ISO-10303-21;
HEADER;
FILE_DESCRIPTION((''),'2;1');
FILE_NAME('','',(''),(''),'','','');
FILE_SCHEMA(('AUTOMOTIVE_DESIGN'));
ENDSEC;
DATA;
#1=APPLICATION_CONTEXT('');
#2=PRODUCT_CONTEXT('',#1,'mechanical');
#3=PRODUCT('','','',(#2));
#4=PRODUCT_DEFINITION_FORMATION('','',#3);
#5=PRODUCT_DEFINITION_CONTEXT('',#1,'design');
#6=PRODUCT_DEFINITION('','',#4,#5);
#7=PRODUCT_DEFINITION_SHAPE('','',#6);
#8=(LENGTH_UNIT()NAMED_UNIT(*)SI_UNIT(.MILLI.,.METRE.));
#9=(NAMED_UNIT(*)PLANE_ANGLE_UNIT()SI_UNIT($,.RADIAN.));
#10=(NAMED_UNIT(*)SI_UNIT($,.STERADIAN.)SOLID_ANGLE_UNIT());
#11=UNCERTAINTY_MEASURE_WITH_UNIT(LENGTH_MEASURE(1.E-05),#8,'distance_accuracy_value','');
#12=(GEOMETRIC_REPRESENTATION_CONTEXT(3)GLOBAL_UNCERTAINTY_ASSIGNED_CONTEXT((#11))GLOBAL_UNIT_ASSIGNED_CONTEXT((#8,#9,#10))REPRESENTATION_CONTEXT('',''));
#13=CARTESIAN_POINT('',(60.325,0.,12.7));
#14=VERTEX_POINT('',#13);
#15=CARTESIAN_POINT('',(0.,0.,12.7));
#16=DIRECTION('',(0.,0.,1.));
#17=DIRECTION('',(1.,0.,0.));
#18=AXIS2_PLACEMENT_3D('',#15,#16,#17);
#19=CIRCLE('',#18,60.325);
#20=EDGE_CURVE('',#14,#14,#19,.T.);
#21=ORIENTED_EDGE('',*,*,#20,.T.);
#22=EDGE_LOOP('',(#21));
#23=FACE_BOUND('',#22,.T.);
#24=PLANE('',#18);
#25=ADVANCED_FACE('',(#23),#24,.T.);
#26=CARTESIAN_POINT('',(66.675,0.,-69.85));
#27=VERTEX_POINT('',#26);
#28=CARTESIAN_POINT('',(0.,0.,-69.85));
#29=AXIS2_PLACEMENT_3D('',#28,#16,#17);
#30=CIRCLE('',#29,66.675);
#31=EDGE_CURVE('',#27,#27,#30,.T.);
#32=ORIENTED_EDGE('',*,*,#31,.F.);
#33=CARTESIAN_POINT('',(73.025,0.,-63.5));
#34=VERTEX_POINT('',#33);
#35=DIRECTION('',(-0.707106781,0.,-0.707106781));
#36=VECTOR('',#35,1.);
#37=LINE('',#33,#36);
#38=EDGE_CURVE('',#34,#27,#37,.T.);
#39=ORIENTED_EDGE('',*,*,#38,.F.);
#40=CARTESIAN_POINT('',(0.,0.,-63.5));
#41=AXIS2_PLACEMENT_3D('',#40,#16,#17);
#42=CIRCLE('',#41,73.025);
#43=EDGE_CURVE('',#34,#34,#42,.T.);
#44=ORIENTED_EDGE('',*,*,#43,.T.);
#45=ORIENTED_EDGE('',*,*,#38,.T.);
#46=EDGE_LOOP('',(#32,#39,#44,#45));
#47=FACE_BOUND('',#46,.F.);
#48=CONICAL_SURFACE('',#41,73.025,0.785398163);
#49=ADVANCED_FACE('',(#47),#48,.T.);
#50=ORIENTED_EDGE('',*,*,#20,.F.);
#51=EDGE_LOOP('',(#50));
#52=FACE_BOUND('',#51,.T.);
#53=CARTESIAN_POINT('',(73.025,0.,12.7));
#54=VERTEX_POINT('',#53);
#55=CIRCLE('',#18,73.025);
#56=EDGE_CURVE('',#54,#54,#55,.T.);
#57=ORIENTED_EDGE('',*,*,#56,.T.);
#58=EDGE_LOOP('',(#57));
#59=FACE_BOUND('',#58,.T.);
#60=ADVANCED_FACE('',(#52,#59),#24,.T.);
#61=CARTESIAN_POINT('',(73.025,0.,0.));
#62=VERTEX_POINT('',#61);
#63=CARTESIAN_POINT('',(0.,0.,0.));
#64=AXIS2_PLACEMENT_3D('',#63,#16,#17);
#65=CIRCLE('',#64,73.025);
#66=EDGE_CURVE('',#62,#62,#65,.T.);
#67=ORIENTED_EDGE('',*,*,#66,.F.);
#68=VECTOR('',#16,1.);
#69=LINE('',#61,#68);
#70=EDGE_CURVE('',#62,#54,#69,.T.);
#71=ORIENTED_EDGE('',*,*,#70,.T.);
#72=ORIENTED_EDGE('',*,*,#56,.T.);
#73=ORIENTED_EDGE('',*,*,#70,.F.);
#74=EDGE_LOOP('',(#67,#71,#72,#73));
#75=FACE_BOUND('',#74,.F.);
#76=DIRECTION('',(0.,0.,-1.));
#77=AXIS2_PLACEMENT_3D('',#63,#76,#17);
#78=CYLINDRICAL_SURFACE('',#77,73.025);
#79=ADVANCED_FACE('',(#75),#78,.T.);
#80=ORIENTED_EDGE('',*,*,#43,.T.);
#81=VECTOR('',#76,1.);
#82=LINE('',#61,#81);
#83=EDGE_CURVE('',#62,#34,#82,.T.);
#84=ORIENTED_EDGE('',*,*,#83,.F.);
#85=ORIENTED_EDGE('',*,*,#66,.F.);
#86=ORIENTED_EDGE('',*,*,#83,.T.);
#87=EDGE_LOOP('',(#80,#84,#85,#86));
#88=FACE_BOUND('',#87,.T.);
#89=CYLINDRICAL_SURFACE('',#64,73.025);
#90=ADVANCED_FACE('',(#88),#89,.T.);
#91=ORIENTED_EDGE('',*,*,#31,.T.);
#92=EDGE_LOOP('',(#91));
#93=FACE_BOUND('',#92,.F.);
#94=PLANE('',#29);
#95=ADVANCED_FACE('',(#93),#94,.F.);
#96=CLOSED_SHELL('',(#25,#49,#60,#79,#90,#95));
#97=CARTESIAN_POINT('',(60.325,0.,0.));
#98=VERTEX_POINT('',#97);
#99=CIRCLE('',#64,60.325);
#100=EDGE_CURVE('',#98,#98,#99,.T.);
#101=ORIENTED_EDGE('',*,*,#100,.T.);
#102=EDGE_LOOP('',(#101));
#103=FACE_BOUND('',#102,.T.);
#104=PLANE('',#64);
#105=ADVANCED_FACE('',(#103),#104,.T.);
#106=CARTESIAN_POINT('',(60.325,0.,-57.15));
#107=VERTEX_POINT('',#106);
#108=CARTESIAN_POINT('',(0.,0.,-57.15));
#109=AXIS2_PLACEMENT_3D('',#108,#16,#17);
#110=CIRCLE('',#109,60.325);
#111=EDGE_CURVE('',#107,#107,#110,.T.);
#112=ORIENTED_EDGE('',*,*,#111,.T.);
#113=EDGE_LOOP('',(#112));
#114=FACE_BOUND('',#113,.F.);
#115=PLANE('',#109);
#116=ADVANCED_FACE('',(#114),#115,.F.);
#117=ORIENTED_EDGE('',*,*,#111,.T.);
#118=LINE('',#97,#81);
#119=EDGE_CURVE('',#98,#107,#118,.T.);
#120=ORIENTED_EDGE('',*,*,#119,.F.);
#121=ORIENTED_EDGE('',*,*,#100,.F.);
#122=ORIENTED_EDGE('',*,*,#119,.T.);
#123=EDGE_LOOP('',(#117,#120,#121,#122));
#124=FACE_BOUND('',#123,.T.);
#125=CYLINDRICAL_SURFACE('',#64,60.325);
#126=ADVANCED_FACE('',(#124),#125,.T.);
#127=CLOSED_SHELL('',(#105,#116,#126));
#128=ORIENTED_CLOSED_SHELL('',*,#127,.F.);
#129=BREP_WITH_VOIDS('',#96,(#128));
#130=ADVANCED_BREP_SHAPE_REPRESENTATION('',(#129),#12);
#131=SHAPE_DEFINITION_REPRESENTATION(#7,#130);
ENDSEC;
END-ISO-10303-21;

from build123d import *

# Parameters (mm, degrees)
F0_R      = 73.025
F0_R_2    = 60.325
F1_DEPTH  = 69.85
F2_DEPTH  = 57.15
F3_SIZE   = 6.35
F4_DEPTH  = 12.7
F4_FACE_R = 73.025
F5_DEPTH  = 12.7


with BuildPart() as f1:
    # F0 (on Top) → F1 (new body)
    with BuildSketch(Plane.XY):
        Circle(F0_R)
        Circle(F0_R_2, mode=Mode.SUBTRACT)
        Circle(F0_R_2)
    extrude(amount=-F1_DEPTH)

    # F0 (on Top) → F2 (cut)
    with BuildSketch(Plane.XY):
        Circle(F0_R_2)
    extrude(amount=-F2_DEPTH, mode=Mode.SUBTRACT)

    # F3
    f3_edges = [f1.edges().sort_by_distance(p)[0] for p in [
        (-73.025, 0, -69.85),
    ]]
    chamfer(f3_edges, length=F3_SIZE)

    # F0 (on Top) → F4 (join)
    with BuildSketch(Plane.XY):
        Circle(F0_R_2)
        Circle(F0_R)
        Circle(F0_R_2, mode=Mode.SUBTRACT)
    extrude(amount=F4_DEPTH)

    # F4_face (on face) → F5 (join)
    with BuildSketch(Plane.XY.offset(12.7)):
        Circle(F4_FACE_R)
    extrude(amount=-F5_DEPTH)


solid = f1.part
